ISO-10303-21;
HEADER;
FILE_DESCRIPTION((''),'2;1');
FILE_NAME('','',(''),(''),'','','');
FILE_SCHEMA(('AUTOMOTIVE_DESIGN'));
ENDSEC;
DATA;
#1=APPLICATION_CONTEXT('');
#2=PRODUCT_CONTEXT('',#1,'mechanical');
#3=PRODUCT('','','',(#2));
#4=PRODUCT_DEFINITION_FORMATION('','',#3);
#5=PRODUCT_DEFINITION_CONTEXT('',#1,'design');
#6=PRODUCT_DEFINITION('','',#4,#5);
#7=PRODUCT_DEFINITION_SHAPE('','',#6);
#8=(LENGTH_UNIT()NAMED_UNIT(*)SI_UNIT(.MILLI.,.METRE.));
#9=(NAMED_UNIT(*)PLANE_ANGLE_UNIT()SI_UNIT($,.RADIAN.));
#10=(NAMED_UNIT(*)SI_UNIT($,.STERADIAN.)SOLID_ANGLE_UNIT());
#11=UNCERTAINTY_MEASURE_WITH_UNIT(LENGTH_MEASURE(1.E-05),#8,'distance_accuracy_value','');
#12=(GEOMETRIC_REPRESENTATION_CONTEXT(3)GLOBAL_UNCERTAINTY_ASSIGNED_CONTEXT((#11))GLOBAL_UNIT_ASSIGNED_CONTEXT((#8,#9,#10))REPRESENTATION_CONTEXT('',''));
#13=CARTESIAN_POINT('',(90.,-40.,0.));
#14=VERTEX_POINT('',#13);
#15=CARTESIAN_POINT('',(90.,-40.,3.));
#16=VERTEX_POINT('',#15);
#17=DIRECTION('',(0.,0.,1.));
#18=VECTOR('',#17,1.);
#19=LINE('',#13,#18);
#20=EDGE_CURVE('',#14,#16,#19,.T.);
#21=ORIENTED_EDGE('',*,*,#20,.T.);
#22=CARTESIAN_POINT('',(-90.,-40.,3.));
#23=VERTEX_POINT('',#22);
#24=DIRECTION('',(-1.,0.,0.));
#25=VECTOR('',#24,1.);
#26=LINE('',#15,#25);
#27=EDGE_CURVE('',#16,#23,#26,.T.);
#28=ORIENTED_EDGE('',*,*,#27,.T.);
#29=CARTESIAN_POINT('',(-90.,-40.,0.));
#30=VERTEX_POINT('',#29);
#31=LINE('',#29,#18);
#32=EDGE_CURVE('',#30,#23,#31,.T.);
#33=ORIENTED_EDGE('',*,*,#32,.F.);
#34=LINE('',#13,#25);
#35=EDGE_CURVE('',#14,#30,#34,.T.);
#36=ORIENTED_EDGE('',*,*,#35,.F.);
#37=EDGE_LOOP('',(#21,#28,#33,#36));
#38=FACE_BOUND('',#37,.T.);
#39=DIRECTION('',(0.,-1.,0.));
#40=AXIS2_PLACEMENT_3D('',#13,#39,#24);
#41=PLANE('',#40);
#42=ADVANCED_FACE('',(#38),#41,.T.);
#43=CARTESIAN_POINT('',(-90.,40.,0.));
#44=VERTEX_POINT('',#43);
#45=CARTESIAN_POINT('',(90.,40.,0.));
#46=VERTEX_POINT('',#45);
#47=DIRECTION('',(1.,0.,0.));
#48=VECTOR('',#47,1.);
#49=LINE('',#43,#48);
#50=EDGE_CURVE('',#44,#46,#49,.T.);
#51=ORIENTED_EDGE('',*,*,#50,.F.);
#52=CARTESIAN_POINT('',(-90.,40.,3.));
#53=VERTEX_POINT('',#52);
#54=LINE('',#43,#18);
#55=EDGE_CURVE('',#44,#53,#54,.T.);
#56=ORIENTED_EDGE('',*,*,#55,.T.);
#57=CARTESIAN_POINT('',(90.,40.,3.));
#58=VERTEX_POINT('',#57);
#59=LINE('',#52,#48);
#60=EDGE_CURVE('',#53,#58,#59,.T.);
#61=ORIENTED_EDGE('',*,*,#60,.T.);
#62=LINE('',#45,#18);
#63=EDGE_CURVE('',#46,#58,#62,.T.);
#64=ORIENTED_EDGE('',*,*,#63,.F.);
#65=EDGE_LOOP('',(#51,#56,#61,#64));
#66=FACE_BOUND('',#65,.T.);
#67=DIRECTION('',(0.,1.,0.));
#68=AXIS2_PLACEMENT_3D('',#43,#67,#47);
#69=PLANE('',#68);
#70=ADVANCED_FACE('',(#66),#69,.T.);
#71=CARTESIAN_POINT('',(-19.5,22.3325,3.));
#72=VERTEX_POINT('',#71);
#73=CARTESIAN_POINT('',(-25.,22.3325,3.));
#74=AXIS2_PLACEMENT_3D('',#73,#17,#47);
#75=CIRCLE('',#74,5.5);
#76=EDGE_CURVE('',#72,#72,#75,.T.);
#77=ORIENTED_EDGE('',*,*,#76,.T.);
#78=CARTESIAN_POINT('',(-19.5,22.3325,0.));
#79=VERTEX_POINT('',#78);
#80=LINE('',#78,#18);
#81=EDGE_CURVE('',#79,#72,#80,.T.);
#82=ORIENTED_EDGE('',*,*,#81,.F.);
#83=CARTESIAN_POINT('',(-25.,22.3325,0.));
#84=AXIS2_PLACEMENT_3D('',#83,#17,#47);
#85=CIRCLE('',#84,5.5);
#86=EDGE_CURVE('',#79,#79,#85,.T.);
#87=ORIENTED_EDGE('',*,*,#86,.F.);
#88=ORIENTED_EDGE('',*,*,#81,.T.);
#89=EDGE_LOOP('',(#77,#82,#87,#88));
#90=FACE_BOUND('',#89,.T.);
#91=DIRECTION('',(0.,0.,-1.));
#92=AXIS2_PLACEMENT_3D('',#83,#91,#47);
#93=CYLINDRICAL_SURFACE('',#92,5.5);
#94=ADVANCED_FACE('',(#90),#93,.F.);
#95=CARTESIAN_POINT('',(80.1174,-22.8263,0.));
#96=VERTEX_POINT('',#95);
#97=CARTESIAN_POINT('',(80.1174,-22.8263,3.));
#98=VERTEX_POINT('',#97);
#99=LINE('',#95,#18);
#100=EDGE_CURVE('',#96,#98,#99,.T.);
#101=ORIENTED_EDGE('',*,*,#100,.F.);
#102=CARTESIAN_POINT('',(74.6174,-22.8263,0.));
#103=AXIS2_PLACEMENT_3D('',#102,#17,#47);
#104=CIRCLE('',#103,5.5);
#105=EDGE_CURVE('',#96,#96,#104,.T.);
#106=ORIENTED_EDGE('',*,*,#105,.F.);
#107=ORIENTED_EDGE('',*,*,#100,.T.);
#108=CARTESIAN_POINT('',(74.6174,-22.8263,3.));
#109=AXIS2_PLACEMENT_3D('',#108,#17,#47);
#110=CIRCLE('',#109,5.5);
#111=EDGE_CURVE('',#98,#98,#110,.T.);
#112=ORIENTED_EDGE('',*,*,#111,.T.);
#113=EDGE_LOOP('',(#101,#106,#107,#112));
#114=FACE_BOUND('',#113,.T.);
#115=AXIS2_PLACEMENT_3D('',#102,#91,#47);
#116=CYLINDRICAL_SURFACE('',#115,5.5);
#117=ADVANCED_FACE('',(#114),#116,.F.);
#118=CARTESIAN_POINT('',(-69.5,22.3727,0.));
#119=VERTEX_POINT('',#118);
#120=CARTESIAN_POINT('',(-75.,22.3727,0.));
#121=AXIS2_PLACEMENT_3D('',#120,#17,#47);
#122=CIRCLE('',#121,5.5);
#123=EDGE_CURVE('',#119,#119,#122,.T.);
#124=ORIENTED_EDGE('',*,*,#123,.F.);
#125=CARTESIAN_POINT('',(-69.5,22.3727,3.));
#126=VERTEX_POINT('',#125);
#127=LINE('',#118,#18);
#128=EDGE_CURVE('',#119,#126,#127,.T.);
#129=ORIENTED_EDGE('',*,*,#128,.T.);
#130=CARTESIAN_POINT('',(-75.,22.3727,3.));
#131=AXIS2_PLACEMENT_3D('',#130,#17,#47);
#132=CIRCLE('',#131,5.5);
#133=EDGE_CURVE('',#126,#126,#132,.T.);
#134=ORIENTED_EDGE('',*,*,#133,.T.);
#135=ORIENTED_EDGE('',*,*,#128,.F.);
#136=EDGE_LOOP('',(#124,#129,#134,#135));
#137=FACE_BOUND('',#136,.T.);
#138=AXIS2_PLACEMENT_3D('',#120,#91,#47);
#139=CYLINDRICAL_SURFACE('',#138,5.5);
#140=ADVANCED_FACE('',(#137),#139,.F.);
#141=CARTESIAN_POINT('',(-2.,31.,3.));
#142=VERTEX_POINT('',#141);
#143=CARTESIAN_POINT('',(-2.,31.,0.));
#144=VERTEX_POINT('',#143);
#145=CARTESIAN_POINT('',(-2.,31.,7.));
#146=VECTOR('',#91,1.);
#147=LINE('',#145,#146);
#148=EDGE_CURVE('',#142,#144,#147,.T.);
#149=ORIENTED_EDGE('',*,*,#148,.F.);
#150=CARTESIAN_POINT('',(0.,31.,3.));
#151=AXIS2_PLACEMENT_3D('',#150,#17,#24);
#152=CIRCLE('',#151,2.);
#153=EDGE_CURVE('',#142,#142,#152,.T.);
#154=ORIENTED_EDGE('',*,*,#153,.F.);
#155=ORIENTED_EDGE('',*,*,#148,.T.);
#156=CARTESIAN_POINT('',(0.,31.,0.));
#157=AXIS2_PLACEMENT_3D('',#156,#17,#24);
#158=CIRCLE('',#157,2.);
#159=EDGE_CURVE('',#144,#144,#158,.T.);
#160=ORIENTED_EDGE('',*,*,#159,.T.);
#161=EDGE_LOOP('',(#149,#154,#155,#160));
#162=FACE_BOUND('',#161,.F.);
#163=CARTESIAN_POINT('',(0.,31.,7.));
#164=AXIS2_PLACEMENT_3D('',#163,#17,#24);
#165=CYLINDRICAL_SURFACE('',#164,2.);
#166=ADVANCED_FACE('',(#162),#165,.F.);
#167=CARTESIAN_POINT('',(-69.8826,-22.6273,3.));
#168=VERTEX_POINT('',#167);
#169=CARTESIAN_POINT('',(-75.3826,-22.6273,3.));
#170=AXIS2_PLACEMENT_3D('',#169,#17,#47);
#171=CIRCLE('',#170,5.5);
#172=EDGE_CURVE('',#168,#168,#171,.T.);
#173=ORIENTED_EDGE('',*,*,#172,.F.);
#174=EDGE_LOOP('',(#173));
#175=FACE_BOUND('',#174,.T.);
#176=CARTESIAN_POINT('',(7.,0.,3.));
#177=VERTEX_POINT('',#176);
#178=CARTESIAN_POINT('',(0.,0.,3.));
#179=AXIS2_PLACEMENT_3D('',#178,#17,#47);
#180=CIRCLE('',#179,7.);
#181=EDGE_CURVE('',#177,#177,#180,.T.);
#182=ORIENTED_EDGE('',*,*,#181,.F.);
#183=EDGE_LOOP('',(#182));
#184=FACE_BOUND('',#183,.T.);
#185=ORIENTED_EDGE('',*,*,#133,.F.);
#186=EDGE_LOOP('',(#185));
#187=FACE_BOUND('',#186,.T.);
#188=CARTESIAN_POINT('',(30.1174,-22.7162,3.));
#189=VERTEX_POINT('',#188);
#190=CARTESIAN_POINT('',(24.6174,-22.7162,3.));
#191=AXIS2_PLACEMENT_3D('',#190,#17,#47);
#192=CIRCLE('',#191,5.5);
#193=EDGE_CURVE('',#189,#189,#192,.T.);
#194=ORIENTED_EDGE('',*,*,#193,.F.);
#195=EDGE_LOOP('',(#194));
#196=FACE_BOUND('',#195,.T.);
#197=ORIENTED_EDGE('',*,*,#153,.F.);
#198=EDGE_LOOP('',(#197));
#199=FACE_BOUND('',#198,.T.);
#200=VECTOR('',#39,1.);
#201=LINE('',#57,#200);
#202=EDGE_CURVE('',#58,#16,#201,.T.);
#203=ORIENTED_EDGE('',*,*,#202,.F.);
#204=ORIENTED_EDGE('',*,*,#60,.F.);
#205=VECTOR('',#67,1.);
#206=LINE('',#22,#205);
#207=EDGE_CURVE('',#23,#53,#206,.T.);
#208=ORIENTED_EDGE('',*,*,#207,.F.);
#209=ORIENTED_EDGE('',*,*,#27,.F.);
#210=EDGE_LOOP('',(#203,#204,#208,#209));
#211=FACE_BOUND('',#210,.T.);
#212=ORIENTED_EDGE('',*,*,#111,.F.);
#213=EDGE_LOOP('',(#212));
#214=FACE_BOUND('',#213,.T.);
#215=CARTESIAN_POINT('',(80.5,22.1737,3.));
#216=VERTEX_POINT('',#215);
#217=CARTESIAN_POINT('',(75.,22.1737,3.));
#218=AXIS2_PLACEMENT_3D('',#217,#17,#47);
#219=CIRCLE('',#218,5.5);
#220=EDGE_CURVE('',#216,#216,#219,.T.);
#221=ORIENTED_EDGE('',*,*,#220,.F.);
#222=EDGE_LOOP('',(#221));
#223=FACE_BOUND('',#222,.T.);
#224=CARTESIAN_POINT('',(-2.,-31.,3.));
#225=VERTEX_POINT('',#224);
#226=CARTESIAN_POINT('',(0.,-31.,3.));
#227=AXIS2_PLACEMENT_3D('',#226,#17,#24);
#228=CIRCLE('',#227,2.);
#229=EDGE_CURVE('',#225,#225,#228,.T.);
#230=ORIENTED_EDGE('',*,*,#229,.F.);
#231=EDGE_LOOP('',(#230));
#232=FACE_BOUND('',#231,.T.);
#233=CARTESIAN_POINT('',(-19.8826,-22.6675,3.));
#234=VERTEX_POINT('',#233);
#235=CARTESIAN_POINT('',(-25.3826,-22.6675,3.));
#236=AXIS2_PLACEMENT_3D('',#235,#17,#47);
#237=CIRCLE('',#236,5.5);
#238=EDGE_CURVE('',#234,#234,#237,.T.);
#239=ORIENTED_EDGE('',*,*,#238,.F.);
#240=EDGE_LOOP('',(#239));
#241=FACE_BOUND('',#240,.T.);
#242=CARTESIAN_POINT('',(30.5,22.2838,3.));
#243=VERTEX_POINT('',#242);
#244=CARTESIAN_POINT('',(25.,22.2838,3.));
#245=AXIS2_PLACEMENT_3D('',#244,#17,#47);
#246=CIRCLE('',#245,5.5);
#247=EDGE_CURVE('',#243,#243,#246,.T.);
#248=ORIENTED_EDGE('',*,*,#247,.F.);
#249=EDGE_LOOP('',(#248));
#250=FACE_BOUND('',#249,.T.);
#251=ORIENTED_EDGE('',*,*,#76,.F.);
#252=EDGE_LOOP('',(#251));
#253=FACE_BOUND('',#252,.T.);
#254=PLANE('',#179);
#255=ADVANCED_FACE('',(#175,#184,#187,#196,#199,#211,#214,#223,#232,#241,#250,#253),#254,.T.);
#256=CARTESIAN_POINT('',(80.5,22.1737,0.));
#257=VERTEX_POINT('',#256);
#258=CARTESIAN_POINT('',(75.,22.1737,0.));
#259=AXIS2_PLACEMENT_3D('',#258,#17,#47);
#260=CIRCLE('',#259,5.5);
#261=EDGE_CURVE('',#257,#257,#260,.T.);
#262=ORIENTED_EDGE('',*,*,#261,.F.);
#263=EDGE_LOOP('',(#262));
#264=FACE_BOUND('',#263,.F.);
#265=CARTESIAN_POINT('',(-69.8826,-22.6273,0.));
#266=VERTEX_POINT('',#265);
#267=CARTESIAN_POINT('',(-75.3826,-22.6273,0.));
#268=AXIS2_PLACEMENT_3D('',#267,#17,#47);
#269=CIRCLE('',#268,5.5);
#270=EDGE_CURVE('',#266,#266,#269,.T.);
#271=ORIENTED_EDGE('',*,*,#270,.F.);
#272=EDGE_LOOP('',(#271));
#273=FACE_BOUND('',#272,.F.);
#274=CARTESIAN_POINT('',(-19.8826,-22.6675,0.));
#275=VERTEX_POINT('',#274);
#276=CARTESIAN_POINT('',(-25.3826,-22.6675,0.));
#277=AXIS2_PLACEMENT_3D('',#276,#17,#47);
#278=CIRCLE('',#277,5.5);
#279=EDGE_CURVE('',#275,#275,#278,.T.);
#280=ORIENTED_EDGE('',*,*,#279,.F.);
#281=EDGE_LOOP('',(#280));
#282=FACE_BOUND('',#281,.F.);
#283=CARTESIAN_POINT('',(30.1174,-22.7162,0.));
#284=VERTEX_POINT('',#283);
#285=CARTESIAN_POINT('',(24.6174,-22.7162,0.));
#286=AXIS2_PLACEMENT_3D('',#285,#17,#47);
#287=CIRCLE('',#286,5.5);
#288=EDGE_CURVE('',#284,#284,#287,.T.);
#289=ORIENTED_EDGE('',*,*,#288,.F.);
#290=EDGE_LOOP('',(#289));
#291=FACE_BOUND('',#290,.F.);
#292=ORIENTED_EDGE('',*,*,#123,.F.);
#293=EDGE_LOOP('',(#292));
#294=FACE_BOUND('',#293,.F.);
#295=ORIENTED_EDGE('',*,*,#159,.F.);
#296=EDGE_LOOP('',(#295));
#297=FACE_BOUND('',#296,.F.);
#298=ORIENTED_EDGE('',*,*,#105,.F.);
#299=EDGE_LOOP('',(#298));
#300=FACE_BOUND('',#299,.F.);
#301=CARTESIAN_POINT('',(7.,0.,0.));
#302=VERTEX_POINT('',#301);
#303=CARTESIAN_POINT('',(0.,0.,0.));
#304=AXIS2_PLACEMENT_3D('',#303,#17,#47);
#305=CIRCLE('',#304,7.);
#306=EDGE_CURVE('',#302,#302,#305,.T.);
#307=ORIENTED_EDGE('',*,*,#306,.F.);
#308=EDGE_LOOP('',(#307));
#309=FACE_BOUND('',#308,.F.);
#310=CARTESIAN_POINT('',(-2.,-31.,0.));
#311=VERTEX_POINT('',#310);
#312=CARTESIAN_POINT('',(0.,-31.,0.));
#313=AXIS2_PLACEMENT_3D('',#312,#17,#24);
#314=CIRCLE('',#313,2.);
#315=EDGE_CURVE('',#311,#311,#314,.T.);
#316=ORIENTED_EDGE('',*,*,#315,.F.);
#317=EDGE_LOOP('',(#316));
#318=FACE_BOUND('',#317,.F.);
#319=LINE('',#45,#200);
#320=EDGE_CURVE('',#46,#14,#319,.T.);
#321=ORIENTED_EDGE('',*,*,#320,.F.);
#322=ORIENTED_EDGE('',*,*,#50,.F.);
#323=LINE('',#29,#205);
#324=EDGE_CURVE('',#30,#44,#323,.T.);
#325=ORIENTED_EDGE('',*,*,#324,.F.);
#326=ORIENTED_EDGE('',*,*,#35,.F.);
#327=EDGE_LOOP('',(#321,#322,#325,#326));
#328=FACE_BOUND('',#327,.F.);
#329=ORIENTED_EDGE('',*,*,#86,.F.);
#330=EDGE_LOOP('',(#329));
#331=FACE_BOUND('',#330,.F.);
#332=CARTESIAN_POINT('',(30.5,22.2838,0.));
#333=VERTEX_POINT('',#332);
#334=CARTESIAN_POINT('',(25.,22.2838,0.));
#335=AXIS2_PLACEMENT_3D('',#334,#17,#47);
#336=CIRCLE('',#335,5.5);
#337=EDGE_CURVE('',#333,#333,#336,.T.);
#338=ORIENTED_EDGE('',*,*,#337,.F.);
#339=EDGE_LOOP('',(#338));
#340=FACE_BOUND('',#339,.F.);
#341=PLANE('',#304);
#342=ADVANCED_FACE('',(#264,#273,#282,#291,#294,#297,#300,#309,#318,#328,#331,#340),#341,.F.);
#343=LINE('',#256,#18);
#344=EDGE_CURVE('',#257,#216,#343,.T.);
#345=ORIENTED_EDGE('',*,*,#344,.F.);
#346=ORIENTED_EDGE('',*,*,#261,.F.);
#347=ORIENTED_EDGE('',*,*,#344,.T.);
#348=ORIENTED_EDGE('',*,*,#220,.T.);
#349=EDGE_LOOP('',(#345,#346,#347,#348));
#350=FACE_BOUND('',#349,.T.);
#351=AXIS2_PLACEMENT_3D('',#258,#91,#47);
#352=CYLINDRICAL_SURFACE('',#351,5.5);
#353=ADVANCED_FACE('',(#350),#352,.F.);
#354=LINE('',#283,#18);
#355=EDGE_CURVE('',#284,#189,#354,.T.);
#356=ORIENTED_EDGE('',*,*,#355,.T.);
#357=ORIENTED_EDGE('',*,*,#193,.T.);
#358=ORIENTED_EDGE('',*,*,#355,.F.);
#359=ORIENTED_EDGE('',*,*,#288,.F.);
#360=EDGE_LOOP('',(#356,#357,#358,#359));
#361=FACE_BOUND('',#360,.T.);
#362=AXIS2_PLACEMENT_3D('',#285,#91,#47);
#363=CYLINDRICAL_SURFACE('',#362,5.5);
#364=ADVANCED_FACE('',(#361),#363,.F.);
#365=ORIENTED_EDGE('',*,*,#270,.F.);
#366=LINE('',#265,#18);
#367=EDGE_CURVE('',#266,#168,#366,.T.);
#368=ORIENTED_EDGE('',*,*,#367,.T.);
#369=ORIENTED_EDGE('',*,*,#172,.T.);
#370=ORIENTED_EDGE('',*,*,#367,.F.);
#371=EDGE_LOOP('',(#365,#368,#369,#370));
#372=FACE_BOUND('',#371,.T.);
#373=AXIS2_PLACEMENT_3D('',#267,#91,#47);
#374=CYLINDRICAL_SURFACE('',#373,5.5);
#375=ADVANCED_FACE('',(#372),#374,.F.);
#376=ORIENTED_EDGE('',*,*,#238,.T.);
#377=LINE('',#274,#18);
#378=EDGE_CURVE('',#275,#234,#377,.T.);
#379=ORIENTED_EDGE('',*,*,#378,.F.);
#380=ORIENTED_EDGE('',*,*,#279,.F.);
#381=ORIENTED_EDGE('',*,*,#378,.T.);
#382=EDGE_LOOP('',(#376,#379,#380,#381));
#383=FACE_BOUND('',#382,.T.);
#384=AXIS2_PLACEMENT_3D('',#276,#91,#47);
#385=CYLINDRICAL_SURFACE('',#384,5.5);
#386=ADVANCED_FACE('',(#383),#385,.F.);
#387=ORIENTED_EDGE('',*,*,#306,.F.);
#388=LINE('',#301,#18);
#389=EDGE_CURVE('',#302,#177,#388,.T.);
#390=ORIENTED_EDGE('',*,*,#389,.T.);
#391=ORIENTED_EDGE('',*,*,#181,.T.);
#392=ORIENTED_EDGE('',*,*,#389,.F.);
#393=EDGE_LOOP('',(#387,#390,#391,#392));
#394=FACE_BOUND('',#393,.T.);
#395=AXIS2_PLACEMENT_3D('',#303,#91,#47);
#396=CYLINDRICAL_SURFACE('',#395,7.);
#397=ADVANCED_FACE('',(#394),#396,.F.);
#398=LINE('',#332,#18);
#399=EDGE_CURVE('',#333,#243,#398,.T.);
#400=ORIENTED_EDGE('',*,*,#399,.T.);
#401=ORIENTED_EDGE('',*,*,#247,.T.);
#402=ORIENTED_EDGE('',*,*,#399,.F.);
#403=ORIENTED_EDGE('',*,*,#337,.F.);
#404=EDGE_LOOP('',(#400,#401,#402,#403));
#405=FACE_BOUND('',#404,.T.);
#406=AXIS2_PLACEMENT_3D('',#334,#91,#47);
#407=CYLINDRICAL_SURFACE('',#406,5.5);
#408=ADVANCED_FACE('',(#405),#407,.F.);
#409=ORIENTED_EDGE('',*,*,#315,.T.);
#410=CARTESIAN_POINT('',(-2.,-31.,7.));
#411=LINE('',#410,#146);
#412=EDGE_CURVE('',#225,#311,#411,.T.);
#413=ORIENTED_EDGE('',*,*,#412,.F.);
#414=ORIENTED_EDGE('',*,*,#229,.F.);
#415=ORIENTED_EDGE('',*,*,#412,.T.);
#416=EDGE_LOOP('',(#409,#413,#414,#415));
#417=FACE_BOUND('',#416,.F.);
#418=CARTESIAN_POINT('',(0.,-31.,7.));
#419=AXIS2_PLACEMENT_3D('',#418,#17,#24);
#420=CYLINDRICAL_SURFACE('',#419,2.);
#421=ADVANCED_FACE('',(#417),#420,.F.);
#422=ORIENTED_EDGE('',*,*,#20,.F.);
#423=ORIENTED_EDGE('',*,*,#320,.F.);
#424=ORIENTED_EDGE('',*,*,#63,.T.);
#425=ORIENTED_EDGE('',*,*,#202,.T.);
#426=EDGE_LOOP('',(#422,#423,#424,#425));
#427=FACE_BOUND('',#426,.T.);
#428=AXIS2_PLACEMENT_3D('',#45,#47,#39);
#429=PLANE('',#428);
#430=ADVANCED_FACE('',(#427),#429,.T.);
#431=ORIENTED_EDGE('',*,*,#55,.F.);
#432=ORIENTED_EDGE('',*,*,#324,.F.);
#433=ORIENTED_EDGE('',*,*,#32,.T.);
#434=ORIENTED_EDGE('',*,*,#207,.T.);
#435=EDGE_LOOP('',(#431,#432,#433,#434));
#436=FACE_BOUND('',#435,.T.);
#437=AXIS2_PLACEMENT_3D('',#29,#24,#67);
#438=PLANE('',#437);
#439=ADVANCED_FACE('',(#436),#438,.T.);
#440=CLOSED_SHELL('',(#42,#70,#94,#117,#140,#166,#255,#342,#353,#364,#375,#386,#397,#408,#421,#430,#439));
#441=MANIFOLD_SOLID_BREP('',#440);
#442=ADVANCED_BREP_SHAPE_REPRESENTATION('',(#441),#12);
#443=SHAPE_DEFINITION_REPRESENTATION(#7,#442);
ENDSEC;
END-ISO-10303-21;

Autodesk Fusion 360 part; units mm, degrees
sketch "Sketch1" plane through (0, 0, 0) normal (0, 0, 1) x (1, 0, 0)
  line L0 (-90, 40) -> (90, 40)
  line L1 (90, 40) -> (90, -40)
  line L2 (90, -40) -> (-90, -40)
  line L3 (-90, -40) -> (-90, 40)
  line L4 (-90, 40) -> (90, -40) construction
  line L5 (90, 40) -> (-90, -40) construction
  circle A0 centre (-25, 22.3325) radius 5.5
  circle A1 centre (-75, 22.3727) radius 5.5
  circle A2 centre (-25.3826, -22.6675) radius 5.5
  circle A3 centre (75, 22.1737) radius 5.5
  circle A4 centre (25, 22.2838) radius 5.5
  circle A5 centre (-75.3826, -22.6273) radius 5.5
  circle A6 centre (24.6174, -22.7162) radius 5.5
  circle A7 centre (74.6174, -22.8263) radius 5.5
  circle A8 centre (0, 0) radius 7
  point P0 (-90, 40)
  point P1 (-24.0015, 35.2175)
  dimension "d1" = 80
  dimension "d2" = 180
  dimension "d3" = 11
  dimension "d4" = 11
  dimension "d5" = 11
  dimension "d7" = 11
  dimension "d8" = 11
  dimension "d9" = 11
  dimension "d11" = 11
  dimension "d12" = 11
  dimension "d15" = 50
  dimension "d16" = 50
  dimension "d17" = 50
  dimension "d18" = 50
  dimension "d19" = 50
  dimension "d20" = 50
  dimension "d21" = 45
  dimension "d22" = 45
  dimension "d23" = 45
  dimension "d25" = 45
  dimension "d26" = 14
extrude "Extrude1" add sketch "Sketch1" along normal blind 7
sketch "Sketch3" plane through (0, 0, 7) normal (0, 0, 1) x (-1, 0, 0)
  circle A0 centre (75.3826, 22.6273) radius 5.5
  circle A1 centre (-74.6174, 22.8263) radius 5.5
  circle A2 centre (0, 0) radius 7
  circle A3 centre (75, -22.3727) radius 5.5
  circle A4 centre (25, -22.3325) radius 5.5
  circle A5 centre (-75, -22.1737) radius 5.5
  circle A6 centre (-24.6174, 22.7162) radius 5.5
  circle A7 centre (-25, -22.2838) radius 5.5
  circle A8 centre (25.3826, 22.6675) radius 5.5
  line L0 (90, 40) -> (-90, 40)
  line L1 (-90, 40) -> (-90, -40)
  line L2 (-90, -40) -> (90, -40)
  line L3 (90, -40) -> (90, 40)
  circle A9 centre (0, -31) radius 2
  line L4 (-20, 0) -> (-2.5, 0)
  circle A10 centre (0, 31) radius 2
  dimension "d29" = 4
  dimension "d30" = 31
extrude "Extrude2" cut sketch "Sketch3" against normal blind 14 contours A9 | A10
extrude "Extrude3" cut 1 faces at (-43.1381, 6.099, 7) along direction (0, 0, -1) blind 4
equation "d30 = 27 mm + 4 mm"
